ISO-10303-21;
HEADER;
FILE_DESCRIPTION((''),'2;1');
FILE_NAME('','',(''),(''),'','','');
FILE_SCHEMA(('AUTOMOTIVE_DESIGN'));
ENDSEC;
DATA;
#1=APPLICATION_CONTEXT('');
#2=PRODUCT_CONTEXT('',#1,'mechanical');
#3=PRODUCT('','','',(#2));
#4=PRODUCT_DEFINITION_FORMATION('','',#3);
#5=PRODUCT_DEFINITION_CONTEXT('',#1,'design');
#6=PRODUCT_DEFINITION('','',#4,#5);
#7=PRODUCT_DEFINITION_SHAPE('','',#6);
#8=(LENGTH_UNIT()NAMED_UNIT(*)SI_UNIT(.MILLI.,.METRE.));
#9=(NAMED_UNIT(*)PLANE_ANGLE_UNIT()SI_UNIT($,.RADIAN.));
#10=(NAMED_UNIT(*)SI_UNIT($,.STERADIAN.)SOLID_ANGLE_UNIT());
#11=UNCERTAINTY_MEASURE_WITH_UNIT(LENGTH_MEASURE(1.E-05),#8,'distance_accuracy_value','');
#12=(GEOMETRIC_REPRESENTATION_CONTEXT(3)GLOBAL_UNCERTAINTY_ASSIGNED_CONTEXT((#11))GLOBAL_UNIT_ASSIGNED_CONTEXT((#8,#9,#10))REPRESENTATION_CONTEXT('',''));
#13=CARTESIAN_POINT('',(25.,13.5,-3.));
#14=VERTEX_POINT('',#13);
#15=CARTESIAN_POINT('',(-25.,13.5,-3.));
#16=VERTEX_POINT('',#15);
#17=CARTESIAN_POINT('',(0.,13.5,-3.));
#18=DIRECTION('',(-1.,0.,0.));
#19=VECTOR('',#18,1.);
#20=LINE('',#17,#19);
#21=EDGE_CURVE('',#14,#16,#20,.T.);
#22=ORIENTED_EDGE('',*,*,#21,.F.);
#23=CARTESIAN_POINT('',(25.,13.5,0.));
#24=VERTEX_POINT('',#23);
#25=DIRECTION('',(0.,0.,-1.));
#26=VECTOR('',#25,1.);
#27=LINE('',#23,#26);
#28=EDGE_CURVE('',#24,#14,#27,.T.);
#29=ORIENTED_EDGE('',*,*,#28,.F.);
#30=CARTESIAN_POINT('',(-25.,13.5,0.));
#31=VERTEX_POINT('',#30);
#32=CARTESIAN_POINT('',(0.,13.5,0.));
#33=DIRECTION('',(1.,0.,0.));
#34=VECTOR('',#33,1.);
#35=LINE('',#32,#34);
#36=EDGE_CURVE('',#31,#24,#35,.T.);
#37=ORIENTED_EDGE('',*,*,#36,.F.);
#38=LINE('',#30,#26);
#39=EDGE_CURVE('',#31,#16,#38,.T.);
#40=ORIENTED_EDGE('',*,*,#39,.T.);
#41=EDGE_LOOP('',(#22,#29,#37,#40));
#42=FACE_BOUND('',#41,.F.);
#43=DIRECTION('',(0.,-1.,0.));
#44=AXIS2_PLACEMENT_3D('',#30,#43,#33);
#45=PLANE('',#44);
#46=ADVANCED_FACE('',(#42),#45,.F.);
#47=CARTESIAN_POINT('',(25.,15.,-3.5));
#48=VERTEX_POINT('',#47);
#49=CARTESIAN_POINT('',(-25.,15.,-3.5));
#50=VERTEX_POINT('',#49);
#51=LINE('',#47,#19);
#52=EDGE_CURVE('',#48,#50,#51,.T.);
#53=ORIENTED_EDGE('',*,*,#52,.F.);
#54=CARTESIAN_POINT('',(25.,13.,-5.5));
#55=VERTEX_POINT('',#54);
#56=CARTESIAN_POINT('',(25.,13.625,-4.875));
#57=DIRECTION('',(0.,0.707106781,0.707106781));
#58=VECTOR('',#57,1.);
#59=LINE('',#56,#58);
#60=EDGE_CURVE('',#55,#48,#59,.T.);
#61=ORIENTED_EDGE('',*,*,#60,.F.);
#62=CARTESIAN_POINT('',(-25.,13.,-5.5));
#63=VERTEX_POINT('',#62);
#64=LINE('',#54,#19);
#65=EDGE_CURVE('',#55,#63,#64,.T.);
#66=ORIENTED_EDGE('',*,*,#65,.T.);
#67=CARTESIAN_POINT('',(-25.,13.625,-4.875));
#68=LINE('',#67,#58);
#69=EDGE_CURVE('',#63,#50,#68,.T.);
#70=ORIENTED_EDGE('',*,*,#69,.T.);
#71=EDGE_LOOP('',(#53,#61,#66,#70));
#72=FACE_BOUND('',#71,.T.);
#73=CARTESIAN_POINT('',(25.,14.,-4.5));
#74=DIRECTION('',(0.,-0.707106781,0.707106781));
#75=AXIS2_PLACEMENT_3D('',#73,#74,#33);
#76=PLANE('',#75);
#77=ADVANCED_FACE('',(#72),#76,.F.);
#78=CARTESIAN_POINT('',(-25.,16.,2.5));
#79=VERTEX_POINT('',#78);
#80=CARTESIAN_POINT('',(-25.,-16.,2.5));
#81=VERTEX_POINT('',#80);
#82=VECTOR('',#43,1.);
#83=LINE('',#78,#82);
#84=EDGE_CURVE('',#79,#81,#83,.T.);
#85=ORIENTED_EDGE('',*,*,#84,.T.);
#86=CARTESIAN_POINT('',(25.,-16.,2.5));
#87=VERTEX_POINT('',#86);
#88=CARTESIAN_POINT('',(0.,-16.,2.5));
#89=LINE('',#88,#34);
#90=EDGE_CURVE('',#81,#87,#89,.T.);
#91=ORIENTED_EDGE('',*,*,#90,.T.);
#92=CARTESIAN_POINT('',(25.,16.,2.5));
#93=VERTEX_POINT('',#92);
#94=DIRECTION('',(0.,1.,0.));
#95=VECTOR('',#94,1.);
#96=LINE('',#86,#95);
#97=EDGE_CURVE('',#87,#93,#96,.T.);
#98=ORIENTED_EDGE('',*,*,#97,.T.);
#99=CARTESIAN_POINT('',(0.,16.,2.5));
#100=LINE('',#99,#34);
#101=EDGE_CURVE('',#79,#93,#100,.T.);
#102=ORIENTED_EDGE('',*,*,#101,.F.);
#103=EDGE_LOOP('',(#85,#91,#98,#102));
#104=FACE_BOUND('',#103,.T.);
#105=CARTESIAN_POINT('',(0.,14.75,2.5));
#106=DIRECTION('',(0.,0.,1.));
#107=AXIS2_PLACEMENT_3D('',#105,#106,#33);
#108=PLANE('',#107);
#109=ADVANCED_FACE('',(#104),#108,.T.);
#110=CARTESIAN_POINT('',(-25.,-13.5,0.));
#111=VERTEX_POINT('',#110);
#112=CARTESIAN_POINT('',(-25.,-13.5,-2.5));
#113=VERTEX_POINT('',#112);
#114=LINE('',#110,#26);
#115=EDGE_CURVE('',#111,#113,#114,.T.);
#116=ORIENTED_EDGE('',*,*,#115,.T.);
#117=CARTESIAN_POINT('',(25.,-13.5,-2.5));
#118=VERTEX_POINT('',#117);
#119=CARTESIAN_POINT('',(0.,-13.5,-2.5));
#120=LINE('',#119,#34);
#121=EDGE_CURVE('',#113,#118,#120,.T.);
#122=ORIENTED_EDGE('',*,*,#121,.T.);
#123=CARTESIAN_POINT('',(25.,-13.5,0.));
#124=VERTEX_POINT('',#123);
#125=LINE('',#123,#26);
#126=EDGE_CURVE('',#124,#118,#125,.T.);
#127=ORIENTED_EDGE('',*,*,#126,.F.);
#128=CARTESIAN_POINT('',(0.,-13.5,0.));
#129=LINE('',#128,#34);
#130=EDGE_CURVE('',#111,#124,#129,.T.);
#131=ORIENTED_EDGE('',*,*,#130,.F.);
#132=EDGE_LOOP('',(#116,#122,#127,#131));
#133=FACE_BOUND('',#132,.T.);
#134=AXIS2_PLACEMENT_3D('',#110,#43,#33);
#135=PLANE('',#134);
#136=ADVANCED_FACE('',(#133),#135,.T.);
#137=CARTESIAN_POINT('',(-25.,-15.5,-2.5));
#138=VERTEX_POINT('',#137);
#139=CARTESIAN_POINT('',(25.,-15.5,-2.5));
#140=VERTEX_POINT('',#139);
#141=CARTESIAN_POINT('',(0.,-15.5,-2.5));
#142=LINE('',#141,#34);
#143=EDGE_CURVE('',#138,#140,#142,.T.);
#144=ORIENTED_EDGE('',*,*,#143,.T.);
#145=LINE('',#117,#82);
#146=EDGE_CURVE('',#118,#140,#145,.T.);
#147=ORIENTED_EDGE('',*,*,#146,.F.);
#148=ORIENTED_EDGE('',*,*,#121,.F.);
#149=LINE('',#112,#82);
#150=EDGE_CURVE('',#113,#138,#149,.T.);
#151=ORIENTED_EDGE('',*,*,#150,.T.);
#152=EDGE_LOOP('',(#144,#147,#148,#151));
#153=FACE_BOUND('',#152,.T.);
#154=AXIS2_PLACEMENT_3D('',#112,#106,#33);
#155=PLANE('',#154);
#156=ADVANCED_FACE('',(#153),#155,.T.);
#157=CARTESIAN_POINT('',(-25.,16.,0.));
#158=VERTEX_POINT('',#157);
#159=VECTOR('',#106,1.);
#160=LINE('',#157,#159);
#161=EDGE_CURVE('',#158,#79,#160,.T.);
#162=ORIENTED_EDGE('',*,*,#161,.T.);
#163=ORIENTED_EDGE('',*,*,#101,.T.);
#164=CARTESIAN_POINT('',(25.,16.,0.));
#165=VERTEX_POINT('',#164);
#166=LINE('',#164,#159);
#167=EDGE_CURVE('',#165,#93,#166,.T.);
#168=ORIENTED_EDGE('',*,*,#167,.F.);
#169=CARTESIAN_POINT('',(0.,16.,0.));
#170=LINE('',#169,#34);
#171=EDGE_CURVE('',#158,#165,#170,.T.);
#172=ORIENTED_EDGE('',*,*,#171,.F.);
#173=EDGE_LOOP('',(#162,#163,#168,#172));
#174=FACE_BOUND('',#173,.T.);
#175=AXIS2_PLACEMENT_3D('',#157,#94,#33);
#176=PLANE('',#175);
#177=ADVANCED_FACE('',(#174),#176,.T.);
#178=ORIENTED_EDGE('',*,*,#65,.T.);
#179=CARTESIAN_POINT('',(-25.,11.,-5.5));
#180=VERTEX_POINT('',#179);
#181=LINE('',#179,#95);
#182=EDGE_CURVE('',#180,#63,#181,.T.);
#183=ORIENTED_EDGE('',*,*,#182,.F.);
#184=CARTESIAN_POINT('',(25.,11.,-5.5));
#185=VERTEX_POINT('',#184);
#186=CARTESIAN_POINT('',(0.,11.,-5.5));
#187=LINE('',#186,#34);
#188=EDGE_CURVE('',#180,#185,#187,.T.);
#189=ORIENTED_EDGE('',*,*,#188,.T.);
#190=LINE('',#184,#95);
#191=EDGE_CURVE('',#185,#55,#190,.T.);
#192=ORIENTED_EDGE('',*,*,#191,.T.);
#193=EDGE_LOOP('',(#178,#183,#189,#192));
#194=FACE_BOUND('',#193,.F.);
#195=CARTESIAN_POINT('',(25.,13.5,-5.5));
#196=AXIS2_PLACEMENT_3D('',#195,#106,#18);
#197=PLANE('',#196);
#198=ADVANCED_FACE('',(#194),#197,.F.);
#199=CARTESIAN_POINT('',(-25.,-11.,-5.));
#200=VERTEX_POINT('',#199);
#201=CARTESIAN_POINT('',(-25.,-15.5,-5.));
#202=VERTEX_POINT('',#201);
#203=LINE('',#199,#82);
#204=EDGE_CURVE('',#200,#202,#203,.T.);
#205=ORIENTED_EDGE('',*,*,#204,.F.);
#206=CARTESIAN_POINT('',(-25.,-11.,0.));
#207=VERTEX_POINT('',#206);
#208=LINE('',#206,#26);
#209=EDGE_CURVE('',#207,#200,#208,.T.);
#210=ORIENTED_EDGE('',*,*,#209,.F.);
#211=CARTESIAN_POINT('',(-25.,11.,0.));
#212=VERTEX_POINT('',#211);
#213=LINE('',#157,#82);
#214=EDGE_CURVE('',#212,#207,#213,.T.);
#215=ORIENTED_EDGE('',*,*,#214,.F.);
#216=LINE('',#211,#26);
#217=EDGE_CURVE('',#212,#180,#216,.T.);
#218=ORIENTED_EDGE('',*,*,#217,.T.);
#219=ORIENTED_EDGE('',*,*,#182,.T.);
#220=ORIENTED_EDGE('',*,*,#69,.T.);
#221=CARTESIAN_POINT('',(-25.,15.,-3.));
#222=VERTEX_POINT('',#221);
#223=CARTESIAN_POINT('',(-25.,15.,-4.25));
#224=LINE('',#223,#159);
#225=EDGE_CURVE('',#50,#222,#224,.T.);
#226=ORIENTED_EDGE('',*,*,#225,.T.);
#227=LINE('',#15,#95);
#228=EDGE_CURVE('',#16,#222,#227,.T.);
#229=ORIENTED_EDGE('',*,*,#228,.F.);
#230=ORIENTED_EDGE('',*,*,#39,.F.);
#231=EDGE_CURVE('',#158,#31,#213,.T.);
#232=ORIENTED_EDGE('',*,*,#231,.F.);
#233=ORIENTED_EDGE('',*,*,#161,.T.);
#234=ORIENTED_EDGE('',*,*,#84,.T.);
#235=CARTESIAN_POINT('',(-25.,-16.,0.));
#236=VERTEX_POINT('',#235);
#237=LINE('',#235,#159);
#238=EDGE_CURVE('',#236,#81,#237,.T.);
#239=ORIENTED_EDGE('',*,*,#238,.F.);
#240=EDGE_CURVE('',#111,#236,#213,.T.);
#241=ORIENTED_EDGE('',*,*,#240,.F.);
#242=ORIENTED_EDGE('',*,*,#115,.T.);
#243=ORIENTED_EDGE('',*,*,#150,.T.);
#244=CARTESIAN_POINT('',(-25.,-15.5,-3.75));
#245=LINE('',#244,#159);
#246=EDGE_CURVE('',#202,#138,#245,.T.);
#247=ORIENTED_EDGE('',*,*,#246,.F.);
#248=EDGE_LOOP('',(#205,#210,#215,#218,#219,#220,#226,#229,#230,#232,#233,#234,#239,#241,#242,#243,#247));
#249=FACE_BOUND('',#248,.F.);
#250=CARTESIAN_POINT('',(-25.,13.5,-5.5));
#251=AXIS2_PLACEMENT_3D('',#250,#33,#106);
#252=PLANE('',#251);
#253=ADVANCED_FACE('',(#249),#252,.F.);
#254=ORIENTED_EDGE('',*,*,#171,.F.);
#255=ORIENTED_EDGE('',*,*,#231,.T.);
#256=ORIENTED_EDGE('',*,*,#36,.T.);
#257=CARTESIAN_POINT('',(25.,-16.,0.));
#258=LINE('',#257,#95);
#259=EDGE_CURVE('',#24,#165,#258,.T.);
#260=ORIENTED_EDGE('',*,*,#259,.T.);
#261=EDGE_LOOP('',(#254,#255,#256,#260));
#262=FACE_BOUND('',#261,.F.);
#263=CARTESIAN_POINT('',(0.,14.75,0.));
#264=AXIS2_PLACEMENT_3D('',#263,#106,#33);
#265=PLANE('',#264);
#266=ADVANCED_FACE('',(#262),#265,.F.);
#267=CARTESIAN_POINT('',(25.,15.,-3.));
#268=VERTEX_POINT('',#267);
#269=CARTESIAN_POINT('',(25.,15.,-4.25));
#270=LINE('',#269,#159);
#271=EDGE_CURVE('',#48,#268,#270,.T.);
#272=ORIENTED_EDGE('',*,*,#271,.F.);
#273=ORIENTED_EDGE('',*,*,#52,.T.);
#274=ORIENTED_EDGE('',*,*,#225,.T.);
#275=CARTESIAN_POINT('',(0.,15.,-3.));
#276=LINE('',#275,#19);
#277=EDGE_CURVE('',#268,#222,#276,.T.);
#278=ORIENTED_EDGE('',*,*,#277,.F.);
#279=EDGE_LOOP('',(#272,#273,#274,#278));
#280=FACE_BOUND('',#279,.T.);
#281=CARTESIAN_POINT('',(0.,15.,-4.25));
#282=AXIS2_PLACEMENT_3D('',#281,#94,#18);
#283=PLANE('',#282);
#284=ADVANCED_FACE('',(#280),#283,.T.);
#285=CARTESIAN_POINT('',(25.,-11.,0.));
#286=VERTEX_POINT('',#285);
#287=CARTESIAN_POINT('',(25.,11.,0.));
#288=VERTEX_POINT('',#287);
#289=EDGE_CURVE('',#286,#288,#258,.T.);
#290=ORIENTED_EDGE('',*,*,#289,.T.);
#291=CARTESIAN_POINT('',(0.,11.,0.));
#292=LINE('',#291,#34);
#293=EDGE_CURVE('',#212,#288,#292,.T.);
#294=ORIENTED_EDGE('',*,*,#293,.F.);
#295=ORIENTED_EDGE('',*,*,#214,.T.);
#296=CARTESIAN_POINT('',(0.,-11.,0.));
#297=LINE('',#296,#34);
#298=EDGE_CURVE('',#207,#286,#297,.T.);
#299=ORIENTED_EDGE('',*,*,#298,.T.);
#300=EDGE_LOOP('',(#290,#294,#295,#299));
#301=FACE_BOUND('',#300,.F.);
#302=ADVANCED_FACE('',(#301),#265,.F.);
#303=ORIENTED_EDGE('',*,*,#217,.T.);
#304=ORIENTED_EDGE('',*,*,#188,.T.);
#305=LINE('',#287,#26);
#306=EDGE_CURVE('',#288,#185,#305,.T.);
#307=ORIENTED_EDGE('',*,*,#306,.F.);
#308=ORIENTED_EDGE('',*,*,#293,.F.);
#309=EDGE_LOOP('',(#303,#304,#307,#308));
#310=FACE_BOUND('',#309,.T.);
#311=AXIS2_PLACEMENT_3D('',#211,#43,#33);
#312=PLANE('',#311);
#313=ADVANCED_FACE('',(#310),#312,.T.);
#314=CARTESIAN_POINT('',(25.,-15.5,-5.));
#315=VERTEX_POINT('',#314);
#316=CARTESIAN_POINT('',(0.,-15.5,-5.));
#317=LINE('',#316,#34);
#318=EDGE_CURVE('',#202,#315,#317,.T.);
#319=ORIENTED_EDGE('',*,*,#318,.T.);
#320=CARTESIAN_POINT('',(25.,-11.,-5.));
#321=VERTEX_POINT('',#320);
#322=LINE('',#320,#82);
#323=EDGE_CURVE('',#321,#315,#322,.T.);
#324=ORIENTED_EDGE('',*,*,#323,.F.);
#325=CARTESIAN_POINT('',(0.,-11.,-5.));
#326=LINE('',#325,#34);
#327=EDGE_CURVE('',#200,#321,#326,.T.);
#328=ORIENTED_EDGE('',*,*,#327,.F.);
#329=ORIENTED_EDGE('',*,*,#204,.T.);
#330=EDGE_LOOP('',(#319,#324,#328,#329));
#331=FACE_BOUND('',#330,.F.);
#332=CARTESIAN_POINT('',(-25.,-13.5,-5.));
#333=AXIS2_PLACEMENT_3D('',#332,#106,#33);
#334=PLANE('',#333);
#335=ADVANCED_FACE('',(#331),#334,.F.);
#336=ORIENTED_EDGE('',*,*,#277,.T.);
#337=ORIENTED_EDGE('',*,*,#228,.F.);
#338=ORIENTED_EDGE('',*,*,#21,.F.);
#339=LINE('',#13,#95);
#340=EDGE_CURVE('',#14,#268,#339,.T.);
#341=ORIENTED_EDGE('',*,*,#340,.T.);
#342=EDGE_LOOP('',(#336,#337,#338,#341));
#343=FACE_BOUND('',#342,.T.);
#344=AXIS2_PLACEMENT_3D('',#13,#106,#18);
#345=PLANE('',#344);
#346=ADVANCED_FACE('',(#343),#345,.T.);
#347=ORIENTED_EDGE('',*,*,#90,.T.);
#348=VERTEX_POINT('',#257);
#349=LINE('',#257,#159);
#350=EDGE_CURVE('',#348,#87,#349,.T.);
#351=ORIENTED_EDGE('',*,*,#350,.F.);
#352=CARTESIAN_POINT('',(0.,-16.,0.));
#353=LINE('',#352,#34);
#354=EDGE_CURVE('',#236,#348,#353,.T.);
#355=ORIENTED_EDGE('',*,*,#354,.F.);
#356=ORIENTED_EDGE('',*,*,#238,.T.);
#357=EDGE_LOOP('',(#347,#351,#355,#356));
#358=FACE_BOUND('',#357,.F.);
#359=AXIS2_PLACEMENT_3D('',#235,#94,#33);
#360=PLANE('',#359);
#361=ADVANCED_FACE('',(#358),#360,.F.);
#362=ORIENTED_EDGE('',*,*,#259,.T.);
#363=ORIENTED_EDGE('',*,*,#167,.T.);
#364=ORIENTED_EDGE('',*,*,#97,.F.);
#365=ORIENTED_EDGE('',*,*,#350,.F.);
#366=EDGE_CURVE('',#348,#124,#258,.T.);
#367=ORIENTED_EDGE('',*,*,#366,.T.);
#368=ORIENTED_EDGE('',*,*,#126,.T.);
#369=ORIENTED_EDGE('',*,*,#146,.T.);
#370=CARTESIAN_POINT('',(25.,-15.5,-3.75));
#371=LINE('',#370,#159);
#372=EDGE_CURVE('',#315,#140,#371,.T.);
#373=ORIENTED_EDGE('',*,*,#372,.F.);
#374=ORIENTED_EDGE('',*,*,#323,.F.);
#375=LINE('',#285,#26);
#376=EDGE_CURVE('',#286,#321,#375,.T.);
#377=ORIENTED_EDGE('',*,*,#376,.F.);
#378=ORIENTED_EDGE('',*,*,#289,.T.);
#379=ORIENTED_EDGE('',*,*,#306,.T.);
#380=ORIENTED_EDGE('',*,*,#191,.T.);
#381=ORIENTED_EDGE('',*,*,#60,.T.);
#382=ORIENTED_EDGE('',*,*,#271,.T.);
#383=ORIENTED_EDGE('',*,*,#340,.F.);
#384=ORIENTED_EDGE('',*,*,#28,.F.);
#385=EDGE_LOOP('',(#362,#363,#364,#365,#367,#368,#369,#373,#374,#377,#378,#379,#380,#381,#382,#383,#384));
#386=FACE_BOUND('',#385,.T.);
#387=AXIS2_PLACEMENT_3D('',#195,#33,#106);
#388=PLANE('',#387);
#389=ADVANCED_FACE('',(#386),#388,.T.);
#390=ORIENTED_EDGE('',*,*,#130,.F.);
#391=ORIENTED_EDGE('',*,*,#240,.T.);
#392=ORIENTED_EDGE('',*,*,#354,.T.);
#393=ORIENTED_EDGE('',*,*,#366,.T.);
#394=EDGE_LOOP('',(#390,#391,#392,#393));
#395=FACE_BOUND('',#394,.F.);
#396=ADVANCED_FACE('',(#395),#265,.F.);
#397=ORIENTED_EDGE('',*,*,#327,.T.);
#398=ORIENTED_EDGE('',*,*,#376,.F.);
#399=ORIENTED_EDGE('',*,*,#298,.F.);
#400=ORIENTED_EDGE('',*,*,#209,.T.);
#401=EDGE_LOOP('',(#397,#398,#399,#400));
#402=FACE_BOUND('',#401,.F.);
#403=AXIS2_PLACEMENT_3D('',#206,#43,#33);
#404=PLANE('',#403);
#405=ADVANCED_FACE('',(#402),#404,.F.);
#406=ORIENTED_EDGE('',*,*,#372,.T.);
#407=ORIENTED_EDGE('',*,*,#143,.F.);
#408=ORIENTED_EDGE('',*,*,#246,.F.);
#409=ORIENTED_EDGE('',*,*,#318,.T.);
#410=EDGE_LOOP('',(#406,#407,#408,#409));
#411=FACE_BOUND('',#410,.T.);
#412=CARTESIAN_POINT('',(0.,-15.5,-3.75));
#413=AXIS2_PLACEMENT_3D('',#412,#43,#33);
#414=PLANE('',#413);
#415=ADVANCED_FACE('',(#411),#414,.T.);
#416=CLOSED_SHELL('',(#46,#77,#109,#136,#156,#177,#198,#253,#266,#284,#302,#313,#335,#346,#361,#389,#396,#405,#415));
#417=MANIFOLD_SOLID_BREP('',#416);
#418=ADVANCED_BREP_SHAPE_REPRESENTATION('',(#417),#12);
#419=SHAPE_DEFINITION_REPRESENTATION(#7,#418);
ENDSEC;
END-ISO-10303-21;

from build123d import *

# Parameters (mm, degrees)
F0_W     = 50
F0_H     = 2.5
F0_H_2   = 22
F1_DEPTH = 2.5
F2_DEPTH = 5
F3_W     = 50
F3_H     = 2.5
F4_DEPTH = 2
F5_DEPTH = 5.5
F6_W     = 50
F6_H     = 2.5
F7_DEPTH = 1.5
F8_SIZE  = 2


with BuildPart() as f1:
    # F0 (on Top) → F1 (new body)
    with BuildSketch(Plane.XY):
        with Locations((0, 14.75)):
            Rectangle(F0_W, F0_H)
        with Locations((0, 12.25)):
            Rectangle(F0_W, F0_H)
        Rectangle(F0_W, F0_H_2)
        with Locations((0, -12.25)):
            Rectangle(F0_W, F0_H)
        with Locations((0, -14.75)):
            Rectangle(F0_W, F0_H)
    extrude(amount=F1_DEPTH)

    # F0 (on Top) → F2 (join)
    with BuildSketch(Plane.XY):
        with Locations((0, -12.25)):
            Rectangle(F0_W, F0_H)
    extrude(amount=-F2_DEPTH)

    # F3 (on face) → F4 (join)
    with BuildSketch(Plane.XZ.offset(13.5)):
        with Locations((0, -3.75)):
            Rectangle(F3_W, F3_H)
    extrude(amount=F4_DEPTH)

    # F0 (on Top) → F5 (join)
    with BuildSketch(Plane.XY):
        with Locations((0, 12.25)):
            Rectangle(F0_W, F0_H)
    extrude(amount=-F5_DEPTH)

    # F6 (on face) → F7 (join)
    with BuildSketch(Plane(origin=(0, 13.5, 0), x_dir=(-1, 0, 0), z_dir=(0, 1, 0))):
        with Locations((0, -4.25)):
            Rectangle(F6_W, F6_H)
    extrude(amount=F7_DEPTH)

    # F8
    f8_edges = [f1.edges().sort_by_distance(p)[0] for p in [
        (0, 15, -5.5),
    ]]
    chamfer(f8_edges, length=F8_SIZE)


solid = f1.part
